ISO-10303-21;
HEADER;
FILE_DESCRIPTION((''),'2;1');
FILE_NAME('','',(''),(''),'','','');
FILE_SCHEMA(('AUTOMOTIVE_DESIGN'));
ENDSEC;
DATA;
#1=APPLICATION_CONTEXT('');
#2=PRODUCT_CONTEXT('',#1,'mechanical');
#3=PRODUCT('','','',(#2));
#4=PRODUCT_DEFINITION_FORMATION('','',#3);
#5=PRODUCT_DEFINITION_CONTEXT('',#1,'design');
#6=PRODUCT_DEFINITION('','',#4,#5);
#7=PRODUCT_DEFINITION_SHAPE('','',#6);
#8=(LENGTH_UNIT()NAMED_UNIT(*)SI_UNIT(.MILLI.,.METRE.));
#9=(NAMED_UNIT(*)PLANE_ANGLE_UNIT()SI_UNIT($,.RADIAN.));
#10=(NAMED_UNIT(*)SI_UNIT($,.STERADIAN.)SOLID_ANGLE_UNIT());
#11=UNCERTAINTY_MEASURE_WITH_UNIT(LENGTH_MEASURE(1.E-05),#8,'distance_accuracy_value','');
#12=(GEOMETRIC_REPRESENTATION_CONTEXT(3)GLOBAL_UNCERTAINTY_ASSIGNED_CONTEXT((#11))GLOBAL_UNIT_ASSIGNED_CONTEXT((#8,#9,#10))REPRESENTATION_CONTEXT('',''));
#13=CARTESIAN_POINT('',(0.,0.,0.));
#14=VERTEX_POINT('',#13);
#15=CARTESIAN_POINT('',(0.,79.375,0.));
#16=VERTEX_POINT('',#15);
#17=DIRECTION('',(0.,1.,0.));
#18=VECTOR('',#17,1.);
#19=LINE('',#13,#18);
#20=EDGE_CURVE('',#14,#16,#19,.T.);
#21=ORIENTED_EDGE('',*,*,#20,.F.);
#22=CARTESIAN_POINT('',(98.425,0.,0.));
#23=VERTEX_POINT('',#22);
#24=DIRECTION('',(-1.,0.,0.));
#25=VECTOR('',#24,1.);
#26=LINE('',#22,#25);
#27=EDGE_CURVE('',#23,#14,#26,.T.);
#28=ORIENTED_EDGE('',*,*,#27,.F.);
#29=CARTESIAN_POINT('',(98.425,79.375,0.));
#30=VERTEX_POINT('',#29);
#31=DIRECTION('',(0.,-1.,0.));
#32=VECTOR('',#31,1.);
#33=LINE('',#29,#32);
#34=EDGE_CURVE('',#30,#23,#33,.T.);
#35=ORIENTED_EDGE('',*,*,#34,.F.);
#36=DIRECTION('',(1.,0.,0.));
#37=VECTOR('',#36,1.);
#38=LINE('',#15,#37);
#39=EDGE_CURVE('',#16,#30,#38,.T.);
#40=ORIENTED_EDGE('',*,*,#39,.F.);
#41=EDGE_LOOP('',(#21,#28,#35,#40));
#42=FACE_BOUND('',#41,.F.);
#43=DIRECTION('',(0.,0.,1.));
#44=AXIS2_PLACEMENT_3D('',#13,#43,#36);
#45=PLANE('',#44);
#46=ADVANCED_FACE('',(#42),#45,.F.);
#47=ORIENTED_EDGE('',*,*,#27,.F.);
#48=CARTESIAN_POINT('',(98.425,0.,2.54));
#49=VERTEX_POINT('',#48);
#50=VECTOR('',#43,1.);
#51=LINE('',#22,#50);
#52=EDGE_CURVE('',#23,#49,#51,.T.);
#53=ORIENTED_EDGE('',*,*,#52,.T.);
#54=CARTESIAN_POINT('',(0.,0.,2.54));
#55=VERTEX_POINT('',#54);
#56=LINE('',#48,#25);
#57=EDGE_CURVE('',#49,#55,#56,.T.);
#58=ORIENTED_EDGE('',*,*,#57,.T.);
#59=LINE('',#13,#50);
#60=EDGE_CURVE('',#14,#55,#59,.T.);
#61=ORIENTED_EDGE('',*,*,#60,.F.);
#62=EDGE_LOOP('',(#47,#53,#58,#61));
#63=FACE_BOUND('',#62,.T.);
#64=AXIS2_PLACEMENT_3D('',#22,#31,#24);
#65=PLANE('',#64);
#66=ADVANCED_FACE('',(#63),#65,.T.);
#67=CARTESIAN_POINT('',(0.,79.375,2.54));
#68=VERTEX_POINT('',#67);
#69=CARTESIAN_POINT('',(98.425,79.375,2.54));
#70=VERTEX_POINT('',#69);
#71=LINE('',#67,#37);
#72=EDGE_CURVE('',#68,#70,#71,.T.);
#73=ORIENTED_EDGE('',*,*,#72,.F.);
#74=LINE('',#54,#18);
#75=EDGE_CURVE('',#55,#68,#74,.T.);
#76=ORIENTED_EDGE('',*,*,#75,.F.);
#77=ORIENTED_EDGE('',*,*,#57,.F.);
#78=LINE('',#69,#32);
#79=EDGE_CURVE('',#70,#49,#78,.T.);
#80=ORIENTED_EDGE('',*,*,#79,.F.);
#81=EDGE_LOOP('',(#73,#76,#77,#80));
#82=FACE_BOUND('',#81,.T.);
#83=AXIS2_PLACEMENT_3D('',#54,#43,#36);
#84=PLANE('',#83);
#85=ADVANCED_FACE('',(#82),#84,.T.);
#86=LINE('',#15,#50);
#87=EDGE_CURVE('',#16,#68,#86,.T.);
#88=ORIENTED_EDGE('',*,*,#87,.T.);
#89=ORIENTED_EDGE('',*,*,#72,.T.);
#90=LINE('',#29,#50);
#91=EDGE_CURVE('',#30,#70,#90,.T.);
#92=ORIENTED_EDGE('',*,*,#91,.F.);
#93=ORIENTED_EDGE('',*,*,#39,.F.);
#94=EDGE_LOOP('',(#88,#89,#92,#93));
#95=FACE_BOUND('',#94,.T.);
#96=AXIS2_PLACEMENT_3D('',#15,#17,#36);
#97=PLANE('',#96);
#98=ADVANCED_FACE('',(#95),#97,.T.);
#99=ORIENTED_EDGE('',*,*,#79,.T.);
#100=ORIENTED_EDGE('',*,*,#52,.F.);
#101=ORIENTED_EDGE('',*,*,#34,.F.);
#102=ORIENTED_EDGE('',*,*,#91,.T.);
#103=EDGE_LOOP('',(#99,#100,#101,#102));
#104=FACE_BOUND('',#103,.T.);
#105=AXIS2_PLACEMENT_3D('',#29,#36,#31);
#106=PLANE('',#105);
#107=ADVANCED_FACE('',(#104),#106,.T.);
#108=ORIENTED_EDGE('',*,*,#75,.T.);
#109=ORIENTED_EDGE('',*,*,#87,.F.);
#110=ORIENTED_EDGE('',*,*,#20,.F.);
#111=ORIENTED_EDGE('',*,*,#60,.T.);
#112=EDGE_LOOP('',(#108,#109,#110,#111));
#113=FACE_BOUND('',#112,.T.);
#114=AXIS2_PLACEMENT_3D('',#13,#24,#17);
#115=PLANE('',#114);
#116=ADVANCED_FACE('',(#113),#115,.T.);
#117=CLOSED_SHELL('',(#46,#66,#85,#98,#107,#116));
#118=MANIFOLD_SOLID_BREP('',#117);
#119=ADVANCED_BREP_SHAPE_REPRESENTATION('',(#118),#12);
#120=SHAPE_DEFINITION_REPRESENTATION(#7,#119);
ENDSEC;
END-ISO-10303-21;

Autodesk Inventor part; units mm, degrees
ref_plane "YZ Plane" through (0, 0, 0) normal (1, 0, 0) x (0, 1, 0)
ref_plane "XZ Plane" through (0, 0, 0) normal (0, 1, 0) x (-1, 0, 0)
ref_plane "XY Plane" through (0, 0, 0) normal (0, 0, 1) x (1, 0, 0)
sketch "Sketch1" plane through (0, 0, 0) normal (0, 0, 1) x (1, 0, 0)
  line L0 (0, 0) -> (0, 79.375)
  line L1 (0, 79.375) -> (98.425, 79.375)
  line L2 (98.425, 79.375) -> (98.425, 0)
  line L3 (98.425, 0) -> (0, 0)
  dimension "d0" = 79.375
  dimension "d1" = 98.425
extrude "Extrusion1" add sketch "Sketch1" along normal blind 2.54
sketch "Sketch2" plane through (0, 0, 2.54) normal (0, 0, 1) x (1, 0, 0)
  line L0 (20.399, 43.9584) -> (88.2041, 43.9584) construction
  line L1 (88.2041, 43.9584) -> (88.2041, 3.4477) construction
  line L2 (88.2041, 3.4477) -> (20.399, 3.4477) construction
  line L3 (20.399, 3.4477) -> (20.399, 43.9584) construction
  point P0 (0, 0)
properties part number "jetson_nano_sketch"
